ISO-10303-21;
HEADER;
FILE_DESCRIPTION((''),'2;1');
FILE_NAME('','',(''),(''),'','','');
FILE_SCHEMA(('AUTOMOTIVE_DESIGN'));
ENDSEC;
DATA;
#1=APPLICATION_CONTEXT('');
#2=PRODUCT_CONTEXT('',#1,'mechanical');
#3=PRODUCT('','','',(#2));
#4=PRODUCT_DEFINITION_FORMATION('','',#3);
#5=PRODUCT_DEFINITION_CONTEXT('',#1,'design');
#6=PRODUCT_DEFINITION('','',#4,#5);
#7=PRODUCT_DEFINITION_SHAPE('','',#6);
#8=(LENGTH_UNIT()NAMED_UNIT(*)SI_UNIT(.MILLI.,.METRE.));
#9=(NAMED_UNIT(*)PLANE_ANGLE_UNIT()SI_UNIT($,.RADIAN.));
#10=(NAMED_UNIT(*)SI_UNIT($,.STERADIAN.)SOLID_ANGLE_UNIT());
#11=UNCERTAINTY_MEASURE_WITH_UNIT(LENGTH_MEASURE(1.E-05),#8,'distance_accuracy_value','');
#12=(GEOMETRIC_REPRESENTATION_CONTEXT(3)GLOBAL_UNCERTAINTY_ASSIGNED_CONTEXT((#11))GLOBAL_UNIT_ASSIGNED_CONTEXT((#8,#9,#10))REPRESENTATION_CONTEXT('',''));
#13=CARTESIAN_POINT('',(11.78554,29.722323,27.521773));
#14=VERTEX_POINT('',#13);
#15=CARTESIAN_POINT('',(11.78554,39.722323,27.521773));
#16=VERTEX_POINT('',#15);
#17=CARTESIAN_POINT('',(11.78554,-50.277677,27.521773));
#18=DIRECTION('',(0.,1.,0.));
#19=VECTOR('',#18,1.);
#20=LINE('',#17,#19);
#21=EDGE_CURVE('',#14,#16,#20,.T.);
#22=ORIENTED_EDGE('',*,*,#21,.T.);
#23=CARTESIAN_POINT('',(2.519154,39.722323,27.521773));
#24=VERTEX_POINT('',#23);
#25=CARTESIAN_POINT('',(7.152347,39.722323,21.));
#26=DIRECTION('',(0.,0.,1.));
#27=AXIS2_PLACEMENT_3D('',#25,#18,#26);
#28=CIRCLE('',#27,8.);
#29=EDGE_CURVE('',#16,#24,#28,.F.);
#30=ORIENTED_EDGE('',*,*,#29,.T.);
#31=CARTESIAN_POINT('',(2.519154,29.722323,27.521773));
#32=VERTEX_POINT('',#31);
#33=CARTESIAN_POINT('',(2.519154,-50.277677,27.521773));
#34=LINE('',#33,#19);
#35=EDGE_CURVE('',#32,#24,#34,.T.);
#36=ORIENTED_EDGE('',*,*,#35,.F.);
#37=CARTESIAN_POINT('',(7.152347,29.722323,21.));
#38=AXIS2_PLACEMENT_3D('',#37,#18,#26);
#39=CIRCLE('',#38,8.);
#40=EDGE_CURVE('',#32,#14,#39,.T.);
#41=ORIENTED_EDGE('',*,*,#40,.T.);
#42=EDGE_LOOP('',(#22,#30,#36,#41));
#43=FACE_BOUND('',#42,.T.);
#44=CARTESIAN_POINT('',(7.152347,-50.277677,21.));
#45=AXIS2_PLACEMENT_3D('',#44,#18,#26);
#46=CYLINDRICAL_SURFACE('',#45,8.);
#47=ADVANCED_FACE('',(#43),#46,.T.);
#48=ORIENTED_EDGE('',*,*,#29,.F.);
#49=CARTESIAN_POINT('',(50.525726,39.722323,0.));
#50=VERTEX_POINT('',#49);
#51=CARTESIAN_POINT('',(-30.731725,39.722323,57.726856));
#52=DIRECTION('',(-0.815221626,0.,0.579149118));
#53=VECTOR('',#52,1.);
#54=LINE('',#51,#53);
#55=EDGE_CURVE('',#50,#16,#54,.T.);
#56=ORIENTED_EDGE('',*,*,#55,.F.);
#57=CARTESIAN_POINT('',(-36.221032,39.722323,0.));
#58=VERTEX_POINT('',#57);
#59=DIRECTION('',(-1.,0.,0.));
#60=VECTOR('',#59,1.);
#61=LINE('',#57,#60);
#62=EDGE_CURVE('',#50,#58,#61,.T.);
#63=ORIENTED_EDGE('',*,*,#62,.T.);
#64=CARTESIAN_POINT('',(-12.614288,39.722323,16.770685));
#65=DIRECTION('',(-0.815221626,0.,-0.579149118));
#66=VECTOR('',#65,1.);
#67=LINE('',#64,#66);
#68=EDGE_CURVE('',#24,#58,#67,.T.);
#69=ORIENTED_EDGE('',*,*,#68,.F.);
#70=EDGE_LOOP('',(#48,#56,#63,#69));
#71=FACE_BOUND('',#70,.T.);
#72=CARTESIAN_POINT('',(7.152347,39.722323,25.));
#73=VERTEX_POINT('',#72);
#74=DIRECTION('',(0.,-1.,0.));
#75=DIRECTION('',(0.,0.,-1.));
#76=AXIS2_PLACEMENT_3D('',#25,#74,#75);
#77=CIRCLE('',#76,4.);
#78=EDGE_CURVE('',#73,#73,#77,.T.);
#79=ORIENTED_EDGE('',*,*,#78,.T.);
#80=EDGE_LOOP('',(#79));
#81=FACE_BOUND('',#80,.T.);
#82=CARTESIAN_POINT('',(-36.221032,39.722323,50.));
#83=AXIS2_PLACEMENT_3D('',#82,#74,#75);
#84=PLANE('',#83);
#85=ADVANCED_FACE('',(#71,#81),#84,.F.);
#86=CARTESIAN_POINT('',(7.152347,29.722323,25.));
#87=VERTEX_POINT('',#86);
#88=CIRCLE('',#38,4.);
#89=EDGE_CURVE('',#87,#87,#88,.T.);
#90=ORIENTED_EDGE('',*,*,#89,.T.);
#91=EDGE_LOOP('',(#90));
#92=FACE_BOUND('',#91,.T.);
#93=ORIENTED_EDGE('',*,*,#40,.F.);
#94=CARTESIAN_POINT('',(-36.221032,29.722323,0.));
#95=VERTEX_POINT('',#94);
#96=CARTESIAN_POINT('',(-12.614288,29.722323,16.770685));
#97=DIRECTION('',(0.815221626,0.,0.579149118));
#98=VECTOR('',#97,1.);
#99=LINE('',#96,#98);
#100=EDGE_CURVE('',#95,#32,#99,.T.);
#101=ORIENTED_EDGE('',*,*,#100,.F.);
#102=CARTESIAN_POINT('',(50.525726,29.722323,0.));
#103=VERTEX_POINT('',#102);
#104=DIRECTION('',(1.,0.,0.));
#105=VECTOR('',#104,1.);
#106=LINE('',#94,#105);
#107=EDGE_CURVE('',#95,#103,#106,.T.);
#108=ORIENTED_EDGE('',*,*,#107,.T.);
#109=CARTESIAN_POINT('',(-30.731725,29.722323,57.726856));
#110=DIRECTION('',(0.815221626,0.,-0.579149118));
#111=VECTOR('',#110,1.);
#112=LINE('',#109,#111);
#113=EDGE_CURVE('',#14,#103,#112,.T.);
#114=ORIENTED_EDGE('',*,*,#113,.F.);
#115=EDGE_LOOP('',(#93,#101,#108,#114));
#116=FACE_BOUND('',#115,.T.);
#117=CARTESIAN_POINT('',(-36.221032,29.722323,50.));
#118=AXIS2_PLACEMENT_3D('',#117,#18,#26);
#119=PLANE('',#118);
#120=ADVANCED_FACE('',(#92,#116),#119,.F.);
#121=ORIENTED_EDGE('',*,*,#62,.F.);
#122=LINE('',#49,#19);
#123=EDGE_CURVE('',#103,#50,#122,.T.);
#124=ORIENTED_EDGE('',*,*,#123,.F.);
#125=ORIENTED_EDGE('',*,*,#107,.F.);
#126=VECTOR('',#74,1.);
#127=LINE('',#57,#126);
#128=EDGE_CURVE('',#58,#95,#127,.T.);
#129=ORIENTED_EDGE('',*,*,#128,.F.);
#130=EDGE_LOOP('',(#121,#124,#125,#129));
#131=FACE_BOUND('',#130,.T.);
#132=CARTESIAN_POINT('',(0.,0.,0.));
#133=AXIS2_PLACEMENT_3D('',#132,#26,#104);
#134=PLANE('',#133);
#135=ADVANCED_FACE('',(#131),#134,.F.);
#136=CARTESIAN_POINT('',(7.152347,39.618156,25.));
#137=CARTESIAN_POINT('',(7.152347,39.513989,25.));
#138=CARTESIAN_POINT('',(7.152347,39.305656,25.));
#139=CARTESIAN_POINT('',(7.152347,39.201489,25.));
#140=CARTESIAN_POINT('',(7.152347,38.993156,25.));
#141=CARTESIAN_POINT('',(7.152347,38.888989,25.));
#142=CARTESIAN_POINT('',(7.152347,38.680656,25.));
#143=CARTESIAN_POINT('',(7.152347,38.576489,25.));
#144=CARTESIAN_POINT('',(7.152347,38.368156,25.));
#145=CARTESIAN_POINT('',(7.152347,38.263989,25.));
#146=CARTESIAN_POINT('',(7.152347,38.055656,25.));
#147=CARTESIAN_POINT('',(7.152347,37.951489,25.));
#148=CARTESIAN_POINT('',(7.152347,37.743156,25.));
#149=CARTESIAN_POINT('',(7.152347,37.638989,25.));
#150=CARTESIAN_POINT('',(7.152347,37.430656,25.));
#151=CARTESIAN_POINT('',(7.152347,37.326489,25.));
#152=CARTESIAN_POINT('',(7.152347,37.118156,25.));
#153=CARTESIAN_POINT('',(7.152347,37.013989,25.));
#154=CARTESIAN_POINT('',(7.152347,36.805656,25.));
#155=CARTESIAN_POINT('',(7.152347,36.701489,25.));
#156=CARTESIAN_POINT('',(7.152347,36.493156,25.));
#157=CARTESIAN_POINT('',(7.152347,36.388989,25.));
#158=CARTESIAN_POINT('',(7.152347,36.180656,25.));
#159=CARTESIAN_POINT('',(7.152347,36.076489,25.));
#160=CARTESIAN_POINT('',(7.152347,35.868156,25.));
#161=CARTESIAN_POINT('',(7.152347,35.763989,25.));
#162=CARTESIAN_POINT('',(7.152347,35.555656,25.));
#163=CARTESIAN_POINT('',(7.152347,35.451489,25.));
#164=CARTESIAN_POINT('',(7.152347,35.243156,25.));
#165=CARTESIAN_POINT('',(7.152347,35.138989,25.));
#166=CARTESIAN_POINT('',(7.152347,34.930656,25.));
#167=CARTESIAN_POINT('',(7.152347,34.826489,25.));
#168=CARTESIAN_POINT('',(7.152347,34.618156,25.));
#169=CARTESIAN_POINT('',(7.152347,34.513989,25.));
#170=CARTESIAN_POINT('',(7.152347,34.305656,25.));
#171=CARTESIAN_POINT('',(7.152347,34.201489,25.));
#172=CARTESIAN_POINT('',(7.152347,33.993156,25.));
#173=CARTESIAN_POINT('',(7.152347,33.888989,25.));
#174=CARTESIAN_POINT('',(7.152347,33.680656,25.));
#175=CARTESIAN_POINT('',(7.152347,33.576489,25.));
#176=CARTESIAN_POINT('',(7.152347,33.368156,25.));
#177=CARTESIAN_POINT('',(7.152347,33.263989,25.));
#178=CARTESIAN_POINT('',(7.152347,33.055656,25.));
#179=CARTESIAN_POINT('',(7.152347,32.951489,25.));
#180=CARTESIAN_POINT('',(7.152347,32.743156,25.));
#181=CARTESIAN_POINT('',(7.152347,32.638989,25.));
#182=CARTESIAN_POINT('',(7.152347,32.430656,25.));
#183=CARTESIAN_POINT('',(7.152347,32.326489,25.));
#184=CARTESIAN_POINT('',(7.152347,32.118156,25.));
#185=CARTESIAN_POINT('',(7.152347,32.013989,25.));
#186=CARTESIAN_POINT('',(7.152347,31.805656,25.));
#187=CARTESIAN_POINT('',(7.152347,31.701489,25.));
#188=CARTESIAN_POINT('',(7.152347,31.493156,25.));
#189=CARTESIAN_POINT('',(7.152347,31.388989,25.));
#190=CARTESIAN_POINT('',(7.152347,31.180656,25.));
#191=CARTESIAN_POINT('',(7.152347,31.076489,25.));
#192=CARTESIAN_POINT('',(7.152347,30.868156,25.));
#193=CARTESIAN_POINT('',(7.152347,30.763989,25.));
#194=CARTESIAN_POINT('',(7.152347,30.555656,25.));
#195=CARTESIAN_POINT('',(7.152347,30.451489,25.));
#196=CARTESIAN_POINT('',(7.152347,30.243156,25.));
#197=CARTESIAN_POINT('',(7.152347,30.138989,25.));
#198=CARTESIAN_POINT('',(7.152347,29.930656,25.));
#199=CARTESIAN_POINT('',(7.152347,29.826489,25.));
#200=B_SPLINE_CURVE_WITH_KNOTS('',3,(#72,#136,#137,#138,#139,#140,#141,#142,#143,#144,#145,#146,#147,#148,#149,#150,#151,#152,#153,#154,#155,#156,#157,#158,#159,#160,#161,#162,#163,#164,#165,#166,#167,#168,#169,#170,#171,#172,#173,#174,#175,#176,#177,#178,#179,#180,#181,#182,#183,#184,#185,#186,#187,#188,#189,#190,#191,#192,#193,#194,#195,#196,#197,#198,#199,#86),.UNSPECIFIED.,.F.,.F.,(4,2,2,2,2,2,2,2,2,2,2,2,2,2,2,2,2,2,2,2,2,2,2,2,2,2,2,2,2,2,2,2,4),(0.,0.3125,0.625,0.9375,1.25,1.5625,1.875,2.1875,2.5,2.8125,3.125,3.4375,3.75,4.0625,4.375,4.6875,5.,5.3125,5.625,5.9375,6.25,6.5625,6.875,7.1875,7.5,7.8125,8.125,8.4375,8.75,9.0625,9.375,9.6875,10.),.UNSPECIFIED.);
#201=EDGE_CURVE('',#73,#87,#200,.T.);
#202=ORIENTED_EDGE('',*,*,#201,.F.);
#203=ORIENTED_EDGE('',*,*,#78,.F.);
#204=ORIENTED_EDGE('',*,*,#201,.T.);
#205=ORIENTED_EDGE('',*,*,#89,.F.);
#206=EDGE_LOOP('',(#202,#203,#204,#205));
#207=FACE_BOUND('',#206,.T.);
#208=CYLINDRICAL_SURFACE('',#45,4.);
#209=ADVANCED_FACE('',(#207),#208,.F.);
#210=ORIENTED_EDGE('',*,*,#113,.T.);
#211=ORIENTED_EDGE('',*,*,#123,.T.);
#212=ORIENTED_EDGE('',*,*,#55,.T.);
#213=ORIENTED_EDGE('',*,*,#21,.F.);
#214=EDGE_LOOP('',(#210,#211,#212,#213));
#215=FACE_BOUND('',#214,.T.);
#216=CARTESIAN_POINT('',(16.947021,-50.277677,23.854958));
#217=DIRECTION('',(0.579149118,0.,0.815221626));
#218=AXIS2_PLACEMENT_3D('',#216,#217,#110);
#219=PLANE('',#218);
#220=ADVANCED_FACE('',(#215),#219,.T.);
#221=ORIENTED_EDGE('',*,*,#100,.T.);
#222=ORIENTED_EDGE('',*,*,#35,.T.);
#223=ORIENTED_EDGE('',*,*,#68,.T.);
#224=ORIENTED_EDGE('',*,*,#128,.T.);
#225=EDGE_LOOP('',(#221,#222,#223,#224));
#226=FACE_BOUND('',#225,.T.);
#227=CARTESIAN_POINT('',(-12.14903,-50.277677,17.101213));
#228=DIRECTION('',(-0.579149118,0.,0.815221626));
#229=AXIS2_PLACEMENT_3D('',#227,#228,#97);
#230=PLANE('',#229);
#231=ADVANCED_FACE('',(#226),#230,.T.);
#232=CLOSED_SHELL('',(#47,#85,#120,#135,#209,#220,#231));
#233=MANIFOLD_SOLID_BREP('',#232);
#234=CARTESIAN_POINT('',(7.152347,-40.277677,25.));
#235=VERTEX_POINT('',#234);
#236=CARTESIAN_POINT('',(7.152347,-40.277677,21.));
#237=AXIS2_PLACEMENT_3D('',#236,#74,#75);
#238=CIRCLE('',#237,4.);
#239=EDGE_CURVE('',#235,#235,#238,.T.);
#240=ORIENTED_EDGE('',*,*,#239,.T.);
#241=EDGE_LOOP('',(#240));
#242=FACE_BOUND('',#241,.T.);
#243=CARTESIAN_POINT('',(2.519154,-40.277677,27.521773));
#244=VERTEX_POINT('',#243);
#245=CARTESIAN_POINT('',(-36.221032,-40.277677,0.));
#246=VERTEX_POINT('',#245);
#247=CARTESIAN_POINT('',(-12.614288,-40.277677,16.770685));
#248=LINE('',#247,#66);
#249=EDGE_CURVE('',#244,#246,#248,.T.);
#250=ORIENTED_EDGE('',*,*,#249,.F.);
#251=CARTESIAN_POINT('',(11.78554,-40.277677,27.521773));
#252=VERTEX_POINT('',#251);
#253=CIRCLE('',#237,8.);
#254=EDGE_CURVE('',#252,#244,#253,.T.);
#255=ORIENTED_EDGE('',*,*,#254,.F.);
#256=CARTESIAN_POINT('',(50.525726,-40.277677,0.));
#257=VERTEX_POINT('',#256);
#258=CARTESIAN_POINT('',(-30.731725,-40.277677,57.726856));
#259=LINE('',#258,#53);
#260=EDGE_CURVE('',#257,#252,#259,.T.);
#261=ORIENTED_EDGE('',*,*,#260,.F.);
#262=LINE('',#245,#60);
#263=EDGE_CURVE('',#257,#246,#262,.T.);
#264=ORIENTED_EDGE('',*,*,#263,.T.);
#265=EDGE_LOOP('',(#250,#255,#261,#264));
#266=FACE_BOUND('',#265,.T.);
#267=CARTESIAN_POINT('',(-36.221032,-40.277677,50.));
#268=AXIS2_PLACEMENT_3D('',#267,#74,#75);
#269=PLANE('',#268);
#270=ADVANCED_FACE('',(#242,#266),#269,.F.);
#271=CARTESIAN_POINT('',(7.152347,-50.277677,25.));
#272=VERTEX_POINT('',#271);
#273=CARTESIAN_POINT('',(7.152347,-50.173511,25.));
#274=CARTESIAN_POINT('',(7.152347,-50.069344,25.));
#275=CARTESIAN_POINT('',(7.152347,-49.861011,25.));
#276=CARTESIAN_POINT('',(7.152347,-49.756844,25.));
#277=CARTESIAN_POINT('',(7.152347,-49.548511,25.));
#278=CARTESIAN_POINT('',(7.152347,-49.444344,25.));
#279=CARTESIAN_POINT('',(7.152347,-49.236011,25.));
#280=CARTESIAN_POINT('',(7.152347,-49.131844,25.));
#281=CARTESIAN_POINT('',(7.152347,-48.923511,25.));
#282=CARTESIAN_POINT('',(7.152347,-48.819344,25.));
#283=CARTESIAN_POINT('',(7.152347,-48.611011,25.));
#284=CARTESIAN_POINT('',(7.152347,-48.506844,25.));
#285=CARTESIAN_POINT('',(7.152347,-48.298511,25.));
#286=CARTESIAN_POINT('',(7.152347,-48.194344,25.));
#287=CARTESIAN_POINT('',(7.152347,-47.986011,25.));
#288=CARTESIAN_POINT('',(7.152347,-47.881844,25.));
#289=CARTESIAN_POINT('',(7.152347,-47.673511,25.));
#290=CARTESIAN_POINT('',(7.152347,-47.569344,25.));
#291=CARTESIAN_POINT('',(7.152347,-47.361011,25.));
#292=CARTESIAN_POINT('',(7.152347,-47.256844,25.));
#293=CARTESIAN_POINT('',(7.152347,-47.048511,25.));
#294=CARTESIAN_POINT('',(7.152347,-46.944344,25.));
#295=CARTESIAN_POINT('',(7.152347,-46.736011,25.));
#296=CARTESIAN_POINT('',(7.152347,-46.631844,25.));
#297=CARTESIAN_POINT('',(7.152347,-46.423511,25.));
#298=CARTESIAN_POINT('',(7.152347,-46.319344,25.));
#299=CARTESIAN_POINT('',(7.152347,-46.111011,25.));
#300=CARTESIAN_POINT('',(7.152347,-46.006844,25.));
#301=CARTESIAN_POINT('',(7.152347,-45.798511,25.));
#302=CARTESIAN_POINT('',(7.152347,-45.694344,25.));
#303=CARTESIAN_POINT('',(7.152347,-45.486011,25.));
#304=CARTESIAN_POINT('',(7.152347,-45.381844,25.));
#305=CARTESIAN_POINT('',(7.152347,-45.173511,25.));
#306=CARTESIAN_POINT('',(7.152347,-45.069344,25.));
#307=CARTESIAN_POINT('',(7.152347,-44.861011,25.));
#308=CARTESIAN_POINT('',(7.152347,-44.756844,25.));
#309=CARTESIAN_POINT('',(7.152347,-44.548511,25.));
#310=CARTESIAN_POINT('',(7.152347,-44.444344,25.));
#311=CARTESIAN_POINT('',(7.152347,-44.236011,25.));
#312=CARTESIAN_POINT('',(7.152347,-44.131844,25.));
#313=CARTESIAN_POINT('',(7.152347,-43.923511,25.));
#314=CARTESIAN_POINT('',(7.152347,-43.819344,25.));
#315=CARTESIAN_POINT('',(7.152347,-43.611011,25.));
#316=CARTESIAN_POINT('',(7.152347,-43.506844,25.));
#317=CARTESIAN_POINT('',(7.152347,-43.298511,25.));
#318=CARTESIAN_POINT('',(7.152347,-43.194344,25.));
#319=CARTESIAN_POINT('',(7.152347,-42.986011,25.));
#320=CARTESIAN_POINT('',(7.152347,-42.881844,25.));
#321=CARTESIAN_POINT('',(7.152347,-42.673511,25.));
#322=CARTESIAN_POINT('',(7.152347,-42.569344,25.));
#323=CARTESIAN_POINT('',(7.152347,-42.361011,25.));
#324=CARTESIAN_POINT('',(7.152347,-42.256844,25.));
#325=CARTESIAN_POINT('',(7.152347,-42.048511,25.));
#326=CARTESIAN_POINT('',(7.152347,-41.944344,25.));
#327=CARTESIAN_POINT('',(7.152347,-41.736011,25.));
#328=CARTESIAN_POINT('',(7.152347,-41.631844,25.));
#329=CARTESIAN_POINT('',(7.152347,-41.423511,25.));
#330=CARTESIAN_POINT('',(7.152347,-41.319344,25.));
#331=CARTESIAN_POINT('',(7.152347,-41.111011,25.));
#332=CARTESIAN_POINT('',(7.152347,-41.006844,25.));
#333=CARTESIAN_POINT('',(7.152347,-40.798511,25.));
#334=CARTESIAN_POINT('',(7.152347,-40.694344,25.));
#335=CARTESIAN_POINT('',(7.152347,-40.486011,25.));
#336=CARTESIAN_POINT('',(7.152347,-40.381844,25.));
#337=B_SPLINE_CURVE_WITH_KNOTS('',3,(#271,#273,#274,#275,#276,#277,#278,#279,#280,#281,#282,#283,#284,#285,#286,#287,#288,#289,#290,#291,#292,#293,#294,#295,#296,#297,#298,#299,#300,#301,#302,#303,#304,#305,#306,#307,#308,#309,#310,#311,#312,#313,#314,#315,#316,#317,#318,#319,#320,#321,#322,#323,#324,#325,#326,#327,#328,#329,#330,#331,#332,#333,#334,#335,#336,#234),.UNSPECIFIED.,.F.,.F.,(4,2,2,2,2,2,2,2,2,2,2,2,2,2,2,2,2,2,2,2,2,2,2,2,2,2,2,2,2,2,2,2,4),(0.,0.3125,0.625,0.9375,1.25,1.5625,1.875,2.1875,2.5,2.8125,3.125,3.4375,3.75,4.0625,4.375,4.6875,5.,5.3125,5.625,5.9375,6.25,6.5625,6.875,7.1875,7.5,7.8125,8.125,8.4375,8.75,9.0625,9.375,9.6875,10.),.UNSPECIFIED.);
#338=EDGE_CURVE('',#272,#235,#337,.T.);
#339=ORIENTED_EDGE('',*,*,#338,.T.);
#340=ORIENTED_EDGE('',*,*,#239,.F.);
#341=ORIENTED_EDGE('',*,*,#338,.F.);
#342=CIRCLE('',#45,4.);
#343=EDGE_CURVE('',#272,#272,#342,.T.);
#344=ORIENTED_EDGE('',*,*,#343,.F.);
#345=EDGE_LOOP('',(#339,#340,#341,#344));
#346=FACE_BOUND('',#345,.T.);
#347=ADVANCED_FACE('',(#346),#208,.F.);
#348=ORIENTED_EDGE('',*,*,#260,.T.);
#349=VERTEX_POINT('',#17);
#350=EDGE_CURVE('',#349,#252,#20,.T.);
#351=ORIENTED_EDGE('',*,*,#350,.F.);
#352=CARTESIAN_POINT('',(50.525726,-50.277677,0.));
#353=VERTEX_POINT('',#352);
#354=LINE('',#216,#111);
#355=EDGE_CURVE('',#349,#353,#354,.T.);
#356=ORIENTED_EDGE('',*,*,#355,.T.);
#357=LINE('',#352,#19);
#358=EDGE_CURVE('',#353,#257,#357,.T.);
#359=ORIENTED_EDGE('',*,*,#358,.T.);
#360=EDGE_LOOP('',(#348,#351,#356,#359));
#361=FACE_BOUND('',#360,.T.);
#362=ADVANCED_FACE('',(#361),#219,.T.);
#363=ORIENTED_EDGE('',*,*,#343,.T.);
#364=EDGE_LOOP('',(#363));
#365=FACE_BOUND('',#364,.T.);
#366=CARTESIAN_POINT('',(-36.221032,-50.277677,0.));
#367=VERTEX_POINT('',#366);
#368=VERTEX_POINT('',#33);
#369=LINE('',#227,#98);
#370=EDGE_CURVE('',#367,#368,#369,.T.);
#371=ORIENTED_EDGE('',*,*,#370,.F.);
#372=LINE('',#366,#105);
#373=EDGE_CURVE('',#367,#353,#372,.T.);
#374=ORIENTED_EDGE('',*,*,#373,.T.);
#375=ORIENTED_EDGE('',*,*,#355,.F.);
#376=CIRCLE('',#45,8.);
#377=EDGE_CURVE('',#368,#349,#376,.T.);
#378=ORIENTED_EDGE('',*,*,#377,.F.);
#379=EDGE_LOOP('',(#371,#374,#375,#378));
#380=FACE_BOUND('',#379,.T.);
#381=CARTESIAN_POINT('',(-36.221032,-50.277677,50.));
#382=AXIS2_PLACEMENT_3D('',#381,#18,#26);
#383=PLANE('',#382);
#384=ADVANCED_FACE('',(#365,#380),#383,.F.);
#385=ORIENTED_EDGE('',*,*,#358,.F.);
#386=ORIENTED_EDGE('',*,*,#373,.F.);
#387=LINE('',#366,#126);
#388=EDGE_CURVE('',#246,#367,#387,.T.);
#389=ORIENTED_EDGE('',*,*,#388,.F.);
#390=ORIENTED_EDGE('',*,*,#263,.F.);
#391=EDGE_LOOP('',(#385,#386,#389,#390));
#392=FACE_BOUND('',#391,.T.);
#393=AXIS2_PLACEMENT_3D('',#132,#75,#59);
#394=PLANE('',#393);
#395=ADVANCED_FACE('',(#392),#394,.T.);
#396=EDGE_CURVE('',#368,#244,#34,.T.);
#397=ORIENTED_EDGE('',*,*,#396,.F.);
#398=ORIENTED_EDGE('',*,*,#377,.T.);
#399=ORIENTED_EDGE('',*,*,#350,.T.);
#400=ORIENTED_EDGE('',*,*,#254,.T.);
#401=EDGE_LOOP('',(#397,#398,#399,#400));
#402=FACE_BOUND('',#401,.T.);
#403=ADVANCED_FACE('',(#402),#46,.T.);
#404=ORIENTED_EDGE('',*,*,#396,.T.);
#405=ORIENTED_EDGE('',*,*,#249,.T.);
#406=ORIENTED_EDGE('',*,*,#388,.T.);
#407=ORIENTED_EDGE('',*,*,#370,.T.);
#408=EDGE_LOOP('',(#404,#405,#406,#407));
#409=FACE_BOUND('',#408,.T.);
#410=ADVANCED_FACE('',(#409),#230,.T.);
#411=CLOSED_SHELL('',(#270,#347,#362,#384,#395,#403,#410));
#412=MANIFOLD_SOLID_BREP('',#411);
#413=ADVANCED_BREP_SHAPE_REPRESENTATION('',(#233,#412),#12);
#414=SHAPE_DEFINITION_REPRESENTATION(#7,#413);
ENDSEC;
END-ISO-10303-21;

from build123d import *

# Parameters (mm, degrees)
SKETCH2_W               = 86.746757864
SKETCH2_H               = 10
BOSS_EXTRUDE1_DEPTH     = 50
BOSS_EXTRUDE1_2_DEPTH   = 50
CUT_EXTRUDE1_DEPTH      = 115.685870942
CUT_EXTRUDE1_DEPTH_BACK = 115.685870942
SKETCH3_R               = 4


with BuildPart() as part:
    # Sketch2 → Boss-Extrude1 (new body)
    with BuildSketch(Plane.XY):
        with Locations((7.152347127, 34.722322634)):
            Rectangle(SKETCH2_W, SKETCH2_H)
    extrude(amount=BOSS_EXTRUDE1_DEPTH)


with BuildPart() as body_2:
    # Sketch2 → Boss-Extrude1 2 (new body)
    with BuildSketch(Plane.XY):
        with Locations((7.152347127, -45.277677366)):
            Rectangle(SKETCH2_W, SKETCH2_H)
    extrude(amount=BOSS_EXTRUDE1_2_DEPTH)


with BuildPart() as cut_extrude1_tool:
    # Sketch3 → Cut-Extrude1 (new, two sides: drawn at the far end of the back side and taken through both)
    with BuildSketch(Plane(origin=(0, 39.722322634, 0), x_dir=(1, 0, 0), z_dir=(0, 1, 0)).offset(-CUT_EXTRUDE1_DEPTH_BACK)):
        with BuildLine():
            Line((50.525726059, -50), (50.525726059, 0))
            Line((50.525726059, 0), (11.78554007, -27.521773007))
            ThreePointArc((11.78554007, -27.521773007), (7.152347127, -29), (2.519154185, -27.521773007))
            Line((2.519154185, -27.521773007), (-36.221031805, 0))
            Line((-36.221031805, 0), (-36.221031805, -50))
            Line((-36.221031805, -50), (50.525726059, -50))
        make_face()
        with Locations(Location((7.152347127, -21, 0), (0, 0, 270))):
            Circle(SKETCH3_R)
    extrude(amount=CUT_EXTRUDE1_DEPTH + CUT_EXTRUDE1_DEPTH_BACK)


with BuildPart() as part_1:
    add(part.part)

    # Cut-Extrude1: cut by cut_extrude1_tool
    add(cut_extrude1_tool.part, mode=Mode.SUBTRACT)


with BuildPart() as body_2_1:
    add(body_2.part)

    # Cut-Extrude1: cut by cut_extrude1_tool
    add(cut_extrude1_tool.part, mode=Mode.SUBTRACT)


solid = Compound([part_1.part, body_2_1.part])
